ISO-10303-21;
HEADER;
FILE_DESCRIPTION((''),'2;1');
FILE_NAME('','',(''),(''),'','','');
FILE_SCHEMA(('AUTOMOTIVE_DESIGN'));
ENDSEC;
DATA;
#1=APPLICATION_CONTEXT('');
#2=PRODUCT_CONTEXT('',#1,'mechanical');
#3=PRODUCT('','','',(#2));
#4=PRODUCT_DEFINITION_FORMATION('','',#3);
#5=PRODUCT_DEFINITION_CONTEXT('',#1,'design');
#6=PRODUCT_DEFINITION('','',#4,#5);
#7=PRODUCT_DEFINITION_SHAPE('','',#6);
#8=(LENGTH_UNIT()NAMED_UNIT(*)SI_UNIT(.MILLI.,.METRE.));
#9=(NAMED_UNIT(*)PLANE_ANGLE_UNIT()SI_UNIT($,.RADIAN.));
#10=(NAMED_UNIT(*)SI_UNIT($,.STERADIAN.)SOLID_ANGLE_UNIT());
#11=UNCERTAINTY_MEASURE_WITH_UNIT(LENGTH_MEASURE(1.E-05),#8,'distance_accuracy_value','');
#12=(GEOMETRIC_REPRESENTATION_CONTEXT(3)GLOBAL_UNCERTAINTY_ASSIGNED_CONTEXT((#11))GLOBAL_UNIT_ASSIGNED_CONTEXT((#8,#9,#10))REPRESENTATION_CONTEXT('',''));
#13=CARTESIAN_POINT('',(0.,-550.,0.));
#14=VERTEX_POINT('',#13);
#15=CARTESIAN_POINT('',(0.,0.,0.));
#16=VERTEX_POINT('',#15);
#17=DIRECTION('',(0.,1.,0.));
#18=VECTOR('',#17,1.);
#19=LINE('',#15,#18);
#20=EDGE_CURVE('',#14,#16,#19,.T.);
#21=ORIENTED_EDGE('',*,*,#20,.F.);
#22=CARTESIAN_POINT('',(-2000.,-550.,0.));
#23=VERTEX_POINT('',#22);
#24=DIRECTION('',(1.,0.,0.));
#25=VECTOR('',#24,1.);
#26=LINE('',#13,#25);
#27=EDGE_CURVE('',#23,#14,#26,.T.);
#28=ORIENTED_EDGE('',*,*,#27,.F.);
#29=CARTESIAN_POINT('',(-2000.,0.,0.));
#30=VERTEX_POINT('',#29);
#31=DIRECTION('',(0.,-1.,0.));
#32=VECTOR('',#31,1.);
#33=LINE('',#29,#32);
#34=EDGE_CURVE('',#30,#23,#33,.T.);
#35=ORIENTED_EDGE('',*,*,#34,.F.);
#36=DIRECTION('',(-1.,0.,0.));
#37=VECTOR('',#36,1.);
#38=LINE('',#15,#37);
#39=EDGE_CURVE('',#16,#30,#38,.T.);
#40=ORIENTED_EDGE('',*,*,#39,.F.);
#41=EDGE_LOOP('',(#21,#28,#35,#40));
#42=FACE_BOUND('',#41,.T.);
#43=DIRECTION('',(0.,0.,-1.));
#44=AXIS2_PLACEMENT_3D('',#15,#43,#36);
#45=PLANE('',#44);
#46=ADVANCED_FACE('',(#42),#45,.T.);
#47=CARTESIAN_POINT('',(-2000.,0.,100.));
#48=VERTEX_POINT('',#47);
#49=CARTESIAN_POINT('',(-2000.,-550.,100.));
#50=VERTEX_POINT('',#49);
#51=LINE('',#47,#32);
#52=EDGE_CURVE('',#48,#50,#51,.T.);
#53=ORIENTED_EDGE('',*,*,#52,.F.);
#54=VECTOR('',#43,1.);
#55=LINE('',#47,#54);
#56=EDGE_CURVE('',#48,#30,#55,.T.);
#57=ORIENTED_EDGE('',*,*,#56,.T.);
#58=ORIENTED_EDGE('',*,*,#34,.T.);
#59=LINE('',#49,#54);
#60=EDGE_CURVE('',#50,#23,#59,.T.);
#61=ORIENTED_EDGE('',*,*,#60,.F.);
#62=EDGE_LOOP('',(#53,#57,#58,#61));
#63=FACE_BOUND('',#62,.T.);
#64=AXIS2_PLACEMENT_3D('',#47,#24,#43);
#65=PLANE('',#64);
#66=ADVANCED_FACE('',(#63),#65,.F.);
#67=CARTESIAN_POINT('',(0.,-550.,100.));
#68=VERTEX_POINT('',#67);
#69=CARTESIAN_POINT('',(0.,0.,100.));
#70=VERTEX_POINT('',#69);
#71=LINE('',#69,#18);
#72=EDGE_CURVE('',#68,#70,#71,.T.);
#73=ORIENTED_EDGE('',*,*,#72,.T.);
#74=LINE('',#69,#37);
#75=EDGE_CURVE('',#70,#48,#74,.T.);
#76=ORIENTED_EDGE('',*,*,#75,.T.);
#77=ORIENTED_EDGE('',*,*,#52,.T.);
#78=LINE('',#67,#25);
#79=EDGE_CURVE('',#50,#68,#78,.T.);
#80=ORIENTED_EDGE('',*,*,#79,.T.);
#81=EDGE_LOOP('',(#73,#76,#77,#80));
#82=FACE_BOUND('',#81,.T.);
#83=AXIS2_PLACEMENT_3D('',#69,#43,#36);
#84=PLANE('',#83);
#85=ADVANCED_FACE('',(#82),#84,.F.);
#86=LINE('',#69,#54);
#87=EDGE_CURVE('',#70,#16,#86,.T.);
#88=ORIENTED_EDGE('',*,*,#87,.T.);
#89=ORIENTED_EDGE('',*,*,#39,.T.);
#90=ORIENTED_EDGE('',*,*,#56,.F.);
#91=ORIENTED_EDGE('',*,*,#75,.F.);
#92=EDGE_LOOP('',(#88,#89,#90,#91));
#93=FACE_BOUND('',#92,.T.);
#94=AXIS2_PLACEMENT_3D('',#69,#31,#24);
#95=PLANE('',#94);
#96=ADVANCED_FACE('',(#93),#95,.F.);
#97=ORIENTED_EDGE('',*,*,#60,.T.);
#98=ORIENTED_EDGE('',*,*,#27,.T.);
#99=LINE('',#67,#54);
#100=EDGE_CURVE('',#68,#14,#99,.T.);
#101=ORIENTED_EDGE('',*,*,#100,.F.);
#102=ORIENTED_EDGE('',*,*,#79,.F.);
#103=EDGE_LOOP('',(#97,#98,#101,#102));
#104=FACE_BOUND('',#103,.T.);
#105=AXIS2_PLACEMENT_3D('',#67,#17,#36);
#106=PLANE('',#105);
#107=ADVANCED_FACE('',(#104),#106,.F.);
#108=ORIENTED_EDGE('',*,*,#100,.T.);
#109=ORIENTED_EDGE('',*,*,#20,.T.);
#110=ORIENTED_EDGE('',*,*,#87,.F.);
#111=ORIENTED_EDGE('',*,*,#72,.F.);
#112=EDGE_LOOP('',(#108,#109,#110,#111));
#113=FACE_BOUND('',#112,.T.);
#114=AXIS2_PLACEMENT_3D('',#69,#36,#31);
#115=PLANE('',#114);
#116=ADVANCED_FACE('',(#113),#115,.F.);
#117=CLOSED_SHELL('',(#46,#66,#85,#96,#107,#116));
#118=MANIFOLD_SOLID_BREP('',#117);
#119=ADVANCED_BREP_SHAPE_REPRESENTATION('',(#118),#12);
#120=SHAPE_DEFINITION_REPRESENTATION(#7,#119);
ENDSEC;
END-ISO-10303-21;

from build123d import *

# Parameters (mm, degrees)
SKETCH1_W           = 2000
SKETCH1_H           = 550
BOSS_EXTRUDE1_DEPTH = 100


with BuildPart() as part:
    # Sketch1 → Boss-Extrude1 (new body)
    with BuildSketch(Plane.XY):
        with Locations((-1000, -275)):
            Rectangle(SKETCH1_W, SKETCH1_H)
    extrude(amount=BOSS_EXTRUDE1_DEPTH)


solid = part.part
